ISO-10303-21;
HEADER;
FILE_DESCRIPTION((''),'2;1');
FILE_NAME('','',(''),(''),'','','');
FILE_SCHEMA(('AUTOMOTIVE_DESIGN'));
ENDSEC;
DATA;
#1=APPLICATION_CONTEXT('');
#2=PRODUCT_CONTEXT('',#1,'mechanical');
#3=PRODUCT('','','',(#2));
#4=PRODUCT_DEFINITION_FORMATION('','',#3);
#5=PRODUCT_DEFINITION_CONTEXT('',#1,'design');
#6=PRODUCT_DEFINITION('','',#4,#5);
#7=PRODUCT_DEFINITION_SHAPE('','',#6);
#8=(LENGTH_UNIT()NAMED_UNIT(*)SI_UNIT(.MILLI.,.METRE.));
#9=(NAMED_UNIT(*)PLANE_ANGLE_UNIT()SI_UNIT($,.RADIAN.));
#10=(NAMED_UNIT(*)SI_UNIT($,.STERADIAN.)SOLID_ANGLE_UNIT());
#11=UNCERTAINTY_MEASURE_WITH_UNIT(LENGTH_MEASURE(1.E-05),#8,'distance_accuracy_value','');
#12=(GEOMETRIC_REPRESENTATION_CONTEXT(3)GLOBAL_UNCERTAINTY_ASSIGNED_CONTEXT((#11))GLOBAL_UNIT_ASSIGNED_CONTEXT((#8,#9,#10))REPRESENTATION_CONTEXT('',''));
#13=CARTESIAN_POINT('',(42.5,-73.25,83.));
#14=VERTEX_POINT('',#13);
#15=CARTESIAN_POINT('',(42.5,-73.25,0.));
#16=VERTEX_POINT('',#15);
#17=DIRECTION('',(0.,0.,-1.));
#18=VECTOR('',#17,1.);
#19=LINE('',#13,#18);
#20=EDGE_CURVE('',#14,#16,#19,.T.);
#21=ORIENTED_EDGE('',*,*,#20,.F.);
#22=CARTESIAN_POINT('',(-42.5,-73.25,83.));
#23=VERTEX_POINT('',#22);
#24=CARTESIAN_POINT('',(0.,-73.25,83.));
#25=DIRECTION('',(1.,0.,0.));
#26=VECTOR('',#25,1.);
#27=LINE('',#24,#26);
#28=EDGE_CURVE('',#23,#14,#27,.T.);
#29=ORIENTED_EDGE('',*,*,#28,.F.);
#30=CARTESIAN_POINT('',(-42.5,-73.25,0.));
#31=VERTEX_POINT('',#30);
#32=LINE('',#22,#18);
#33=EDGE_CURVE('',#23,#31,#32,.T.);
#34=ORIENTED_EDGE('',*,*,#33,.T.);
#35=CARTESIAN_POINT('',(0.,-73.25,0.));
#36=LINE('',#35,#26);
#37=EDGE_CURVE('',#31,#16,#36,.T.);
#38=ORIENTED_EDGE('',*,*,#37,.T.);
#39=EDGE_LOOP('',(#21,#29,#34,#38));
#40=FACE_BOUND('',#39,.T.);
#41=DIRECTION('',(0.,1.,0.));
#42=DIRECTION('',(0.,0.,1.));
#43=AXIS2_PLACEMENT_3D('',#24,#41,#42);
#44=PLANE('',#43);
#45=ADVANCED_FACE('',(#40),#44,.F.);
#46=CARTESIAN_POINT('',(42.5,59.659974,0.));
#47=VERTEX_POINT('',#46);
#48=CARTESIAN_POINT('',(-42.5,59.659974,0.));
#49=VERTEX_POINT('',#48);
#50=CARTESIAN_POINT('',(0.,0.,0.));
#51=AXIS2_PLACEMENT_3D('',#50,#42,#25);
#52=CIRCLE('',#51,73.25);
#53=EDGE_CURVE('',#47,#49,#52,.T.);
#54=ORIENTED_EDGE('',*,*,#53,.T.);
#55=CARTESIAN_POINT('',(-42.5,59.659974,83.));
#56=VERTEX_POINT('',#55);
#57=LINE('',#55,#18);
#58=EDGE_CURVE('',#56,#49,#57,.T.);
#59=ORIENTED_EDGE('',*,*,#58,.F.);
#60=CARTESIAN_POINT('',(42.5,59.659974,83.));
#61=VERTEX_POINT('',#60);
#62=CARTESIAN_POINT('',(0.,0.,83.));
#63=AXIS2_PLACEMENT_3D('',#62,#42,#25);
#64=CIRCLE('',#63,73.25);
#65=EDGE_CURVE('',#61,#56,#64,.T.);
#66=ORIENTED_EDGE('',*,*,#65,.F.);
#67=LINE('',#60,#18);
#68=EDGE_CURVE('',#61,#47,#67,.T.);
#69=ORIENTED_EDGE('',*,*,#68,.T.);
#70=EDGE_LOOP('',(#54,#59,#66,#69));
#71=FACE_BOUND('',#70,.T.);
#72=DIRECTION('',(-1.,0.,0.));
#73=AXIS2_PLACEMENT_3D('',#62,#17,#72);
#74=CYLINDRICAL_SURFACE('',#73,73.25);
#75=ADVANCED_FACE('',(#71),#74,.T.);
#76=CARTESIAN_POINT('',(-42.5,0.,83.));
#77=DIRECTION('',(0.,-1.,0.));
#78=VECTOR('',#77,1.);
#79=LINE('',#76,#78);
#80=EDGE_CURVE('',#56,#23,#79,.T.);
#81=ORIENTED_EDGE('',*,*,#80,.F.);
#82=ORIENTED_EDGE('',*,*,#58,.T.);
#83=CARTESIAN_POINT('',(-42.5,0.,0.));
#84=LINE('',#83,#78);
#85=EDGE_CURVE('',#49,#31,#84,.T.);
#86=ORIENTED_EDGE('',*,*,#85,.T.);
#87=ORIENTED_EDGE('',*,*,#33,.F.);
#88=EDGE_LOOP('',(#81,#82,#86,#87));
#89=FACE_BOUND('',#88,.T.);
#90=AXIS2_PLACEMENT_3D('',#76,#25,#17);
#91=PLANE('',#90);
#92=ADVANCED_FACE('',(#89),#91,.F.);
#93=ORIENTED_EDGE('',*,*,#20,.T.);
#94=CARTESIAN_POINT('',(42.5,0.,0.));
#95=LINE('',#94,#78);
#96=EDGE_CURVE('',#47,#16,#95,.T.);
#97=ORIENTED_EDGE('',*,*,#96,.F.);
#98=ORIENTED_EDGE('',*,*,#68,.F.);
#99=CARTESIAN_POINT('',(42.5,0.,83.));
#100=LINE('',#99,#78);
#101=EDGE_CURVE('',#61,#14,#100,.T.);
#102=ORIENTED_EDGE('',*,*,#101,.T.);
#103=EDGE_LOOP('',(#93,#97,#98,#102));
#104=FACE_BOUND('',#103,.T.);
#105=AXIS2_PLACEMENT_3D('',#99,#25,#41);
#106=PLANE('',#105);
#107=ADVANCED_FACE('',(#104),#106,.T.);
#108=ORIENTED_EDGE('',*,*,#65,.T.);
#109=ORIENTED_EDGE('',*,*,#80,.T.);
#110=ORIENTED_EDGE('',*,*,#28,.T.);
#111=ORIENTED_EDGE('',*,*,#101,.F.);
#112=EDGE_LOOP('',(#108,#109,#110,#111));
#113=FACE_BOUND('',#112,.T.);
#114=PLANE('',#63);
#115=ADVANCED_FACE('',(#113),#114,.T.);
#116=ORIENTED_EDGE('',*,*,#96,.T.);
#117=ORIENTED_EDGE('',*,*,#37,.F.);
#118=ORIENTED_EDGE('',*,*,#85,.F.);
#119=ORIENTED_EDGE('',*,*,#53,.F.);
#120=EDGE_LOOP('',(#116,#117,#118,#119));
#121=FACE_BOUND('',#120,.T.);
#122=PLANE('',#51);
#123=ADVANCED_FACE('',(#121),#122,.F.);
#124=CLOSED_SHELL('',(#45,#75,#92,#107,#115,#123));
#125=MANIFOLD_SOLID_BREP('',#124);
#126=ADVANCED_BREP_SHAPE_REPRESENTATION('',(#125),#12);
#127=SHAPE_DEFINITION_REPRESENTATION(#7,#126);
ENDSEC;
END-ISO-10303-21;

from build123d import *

# Parameters (mm, degrees)
EXTRUDE_1_DEPTH = 83


with BuildPart() as part:
    # 草图1 → 凸台-拉伸1 (new body)
    with BuildSketch(Plane.XY):
        with BuildLine():
            ThreePointArc((42.5, 59.659974019), (22.309968658, 69.769820112), (0, 73.25))
            ThreePointArc((0, 73.25), (-22.309968658, 69.769820112), (-42.5, 59.659974019))
            Line((-42.5, 59.659974019), (-42.5, -59.659974019))
            ThreePointArc((-42.5, -59.659974019), (-22.309968513, -69.769820159), (3.06e-07, -73.25))
            ThreePointArc((3.06e-07, -73.25), (22.309968804, -69.769820065), (42.5, -59.659974019))
            Line((42.5, -59.659974019), (42.5, 59.659974019))
        make_face()
        with BuildLine():
            Line((42.5, -73.25), (42.5, -59.659974019))
            ThreePointArc((42.5, -59.659974019), (22.309968804, -69.769820065), (3.06e-07, -73.25))
            Line((3.06e-07, -73.25), (42.5, -73.25))
        make_face()
        with BuildLine():
            ThreePointArc((3.06e-07, -73.25), (-22.309968513, -69.769820159), (-42.5, -59.659974019))
            Line((-42.5, -59.659974019), (-42.5, -73.25))
            Line((-42.5, -73.25), (3.06e-07, -73.25))
        make_face()
    extrude(amount=EXTRUDE_1_DEPTH)


solid = part.part
